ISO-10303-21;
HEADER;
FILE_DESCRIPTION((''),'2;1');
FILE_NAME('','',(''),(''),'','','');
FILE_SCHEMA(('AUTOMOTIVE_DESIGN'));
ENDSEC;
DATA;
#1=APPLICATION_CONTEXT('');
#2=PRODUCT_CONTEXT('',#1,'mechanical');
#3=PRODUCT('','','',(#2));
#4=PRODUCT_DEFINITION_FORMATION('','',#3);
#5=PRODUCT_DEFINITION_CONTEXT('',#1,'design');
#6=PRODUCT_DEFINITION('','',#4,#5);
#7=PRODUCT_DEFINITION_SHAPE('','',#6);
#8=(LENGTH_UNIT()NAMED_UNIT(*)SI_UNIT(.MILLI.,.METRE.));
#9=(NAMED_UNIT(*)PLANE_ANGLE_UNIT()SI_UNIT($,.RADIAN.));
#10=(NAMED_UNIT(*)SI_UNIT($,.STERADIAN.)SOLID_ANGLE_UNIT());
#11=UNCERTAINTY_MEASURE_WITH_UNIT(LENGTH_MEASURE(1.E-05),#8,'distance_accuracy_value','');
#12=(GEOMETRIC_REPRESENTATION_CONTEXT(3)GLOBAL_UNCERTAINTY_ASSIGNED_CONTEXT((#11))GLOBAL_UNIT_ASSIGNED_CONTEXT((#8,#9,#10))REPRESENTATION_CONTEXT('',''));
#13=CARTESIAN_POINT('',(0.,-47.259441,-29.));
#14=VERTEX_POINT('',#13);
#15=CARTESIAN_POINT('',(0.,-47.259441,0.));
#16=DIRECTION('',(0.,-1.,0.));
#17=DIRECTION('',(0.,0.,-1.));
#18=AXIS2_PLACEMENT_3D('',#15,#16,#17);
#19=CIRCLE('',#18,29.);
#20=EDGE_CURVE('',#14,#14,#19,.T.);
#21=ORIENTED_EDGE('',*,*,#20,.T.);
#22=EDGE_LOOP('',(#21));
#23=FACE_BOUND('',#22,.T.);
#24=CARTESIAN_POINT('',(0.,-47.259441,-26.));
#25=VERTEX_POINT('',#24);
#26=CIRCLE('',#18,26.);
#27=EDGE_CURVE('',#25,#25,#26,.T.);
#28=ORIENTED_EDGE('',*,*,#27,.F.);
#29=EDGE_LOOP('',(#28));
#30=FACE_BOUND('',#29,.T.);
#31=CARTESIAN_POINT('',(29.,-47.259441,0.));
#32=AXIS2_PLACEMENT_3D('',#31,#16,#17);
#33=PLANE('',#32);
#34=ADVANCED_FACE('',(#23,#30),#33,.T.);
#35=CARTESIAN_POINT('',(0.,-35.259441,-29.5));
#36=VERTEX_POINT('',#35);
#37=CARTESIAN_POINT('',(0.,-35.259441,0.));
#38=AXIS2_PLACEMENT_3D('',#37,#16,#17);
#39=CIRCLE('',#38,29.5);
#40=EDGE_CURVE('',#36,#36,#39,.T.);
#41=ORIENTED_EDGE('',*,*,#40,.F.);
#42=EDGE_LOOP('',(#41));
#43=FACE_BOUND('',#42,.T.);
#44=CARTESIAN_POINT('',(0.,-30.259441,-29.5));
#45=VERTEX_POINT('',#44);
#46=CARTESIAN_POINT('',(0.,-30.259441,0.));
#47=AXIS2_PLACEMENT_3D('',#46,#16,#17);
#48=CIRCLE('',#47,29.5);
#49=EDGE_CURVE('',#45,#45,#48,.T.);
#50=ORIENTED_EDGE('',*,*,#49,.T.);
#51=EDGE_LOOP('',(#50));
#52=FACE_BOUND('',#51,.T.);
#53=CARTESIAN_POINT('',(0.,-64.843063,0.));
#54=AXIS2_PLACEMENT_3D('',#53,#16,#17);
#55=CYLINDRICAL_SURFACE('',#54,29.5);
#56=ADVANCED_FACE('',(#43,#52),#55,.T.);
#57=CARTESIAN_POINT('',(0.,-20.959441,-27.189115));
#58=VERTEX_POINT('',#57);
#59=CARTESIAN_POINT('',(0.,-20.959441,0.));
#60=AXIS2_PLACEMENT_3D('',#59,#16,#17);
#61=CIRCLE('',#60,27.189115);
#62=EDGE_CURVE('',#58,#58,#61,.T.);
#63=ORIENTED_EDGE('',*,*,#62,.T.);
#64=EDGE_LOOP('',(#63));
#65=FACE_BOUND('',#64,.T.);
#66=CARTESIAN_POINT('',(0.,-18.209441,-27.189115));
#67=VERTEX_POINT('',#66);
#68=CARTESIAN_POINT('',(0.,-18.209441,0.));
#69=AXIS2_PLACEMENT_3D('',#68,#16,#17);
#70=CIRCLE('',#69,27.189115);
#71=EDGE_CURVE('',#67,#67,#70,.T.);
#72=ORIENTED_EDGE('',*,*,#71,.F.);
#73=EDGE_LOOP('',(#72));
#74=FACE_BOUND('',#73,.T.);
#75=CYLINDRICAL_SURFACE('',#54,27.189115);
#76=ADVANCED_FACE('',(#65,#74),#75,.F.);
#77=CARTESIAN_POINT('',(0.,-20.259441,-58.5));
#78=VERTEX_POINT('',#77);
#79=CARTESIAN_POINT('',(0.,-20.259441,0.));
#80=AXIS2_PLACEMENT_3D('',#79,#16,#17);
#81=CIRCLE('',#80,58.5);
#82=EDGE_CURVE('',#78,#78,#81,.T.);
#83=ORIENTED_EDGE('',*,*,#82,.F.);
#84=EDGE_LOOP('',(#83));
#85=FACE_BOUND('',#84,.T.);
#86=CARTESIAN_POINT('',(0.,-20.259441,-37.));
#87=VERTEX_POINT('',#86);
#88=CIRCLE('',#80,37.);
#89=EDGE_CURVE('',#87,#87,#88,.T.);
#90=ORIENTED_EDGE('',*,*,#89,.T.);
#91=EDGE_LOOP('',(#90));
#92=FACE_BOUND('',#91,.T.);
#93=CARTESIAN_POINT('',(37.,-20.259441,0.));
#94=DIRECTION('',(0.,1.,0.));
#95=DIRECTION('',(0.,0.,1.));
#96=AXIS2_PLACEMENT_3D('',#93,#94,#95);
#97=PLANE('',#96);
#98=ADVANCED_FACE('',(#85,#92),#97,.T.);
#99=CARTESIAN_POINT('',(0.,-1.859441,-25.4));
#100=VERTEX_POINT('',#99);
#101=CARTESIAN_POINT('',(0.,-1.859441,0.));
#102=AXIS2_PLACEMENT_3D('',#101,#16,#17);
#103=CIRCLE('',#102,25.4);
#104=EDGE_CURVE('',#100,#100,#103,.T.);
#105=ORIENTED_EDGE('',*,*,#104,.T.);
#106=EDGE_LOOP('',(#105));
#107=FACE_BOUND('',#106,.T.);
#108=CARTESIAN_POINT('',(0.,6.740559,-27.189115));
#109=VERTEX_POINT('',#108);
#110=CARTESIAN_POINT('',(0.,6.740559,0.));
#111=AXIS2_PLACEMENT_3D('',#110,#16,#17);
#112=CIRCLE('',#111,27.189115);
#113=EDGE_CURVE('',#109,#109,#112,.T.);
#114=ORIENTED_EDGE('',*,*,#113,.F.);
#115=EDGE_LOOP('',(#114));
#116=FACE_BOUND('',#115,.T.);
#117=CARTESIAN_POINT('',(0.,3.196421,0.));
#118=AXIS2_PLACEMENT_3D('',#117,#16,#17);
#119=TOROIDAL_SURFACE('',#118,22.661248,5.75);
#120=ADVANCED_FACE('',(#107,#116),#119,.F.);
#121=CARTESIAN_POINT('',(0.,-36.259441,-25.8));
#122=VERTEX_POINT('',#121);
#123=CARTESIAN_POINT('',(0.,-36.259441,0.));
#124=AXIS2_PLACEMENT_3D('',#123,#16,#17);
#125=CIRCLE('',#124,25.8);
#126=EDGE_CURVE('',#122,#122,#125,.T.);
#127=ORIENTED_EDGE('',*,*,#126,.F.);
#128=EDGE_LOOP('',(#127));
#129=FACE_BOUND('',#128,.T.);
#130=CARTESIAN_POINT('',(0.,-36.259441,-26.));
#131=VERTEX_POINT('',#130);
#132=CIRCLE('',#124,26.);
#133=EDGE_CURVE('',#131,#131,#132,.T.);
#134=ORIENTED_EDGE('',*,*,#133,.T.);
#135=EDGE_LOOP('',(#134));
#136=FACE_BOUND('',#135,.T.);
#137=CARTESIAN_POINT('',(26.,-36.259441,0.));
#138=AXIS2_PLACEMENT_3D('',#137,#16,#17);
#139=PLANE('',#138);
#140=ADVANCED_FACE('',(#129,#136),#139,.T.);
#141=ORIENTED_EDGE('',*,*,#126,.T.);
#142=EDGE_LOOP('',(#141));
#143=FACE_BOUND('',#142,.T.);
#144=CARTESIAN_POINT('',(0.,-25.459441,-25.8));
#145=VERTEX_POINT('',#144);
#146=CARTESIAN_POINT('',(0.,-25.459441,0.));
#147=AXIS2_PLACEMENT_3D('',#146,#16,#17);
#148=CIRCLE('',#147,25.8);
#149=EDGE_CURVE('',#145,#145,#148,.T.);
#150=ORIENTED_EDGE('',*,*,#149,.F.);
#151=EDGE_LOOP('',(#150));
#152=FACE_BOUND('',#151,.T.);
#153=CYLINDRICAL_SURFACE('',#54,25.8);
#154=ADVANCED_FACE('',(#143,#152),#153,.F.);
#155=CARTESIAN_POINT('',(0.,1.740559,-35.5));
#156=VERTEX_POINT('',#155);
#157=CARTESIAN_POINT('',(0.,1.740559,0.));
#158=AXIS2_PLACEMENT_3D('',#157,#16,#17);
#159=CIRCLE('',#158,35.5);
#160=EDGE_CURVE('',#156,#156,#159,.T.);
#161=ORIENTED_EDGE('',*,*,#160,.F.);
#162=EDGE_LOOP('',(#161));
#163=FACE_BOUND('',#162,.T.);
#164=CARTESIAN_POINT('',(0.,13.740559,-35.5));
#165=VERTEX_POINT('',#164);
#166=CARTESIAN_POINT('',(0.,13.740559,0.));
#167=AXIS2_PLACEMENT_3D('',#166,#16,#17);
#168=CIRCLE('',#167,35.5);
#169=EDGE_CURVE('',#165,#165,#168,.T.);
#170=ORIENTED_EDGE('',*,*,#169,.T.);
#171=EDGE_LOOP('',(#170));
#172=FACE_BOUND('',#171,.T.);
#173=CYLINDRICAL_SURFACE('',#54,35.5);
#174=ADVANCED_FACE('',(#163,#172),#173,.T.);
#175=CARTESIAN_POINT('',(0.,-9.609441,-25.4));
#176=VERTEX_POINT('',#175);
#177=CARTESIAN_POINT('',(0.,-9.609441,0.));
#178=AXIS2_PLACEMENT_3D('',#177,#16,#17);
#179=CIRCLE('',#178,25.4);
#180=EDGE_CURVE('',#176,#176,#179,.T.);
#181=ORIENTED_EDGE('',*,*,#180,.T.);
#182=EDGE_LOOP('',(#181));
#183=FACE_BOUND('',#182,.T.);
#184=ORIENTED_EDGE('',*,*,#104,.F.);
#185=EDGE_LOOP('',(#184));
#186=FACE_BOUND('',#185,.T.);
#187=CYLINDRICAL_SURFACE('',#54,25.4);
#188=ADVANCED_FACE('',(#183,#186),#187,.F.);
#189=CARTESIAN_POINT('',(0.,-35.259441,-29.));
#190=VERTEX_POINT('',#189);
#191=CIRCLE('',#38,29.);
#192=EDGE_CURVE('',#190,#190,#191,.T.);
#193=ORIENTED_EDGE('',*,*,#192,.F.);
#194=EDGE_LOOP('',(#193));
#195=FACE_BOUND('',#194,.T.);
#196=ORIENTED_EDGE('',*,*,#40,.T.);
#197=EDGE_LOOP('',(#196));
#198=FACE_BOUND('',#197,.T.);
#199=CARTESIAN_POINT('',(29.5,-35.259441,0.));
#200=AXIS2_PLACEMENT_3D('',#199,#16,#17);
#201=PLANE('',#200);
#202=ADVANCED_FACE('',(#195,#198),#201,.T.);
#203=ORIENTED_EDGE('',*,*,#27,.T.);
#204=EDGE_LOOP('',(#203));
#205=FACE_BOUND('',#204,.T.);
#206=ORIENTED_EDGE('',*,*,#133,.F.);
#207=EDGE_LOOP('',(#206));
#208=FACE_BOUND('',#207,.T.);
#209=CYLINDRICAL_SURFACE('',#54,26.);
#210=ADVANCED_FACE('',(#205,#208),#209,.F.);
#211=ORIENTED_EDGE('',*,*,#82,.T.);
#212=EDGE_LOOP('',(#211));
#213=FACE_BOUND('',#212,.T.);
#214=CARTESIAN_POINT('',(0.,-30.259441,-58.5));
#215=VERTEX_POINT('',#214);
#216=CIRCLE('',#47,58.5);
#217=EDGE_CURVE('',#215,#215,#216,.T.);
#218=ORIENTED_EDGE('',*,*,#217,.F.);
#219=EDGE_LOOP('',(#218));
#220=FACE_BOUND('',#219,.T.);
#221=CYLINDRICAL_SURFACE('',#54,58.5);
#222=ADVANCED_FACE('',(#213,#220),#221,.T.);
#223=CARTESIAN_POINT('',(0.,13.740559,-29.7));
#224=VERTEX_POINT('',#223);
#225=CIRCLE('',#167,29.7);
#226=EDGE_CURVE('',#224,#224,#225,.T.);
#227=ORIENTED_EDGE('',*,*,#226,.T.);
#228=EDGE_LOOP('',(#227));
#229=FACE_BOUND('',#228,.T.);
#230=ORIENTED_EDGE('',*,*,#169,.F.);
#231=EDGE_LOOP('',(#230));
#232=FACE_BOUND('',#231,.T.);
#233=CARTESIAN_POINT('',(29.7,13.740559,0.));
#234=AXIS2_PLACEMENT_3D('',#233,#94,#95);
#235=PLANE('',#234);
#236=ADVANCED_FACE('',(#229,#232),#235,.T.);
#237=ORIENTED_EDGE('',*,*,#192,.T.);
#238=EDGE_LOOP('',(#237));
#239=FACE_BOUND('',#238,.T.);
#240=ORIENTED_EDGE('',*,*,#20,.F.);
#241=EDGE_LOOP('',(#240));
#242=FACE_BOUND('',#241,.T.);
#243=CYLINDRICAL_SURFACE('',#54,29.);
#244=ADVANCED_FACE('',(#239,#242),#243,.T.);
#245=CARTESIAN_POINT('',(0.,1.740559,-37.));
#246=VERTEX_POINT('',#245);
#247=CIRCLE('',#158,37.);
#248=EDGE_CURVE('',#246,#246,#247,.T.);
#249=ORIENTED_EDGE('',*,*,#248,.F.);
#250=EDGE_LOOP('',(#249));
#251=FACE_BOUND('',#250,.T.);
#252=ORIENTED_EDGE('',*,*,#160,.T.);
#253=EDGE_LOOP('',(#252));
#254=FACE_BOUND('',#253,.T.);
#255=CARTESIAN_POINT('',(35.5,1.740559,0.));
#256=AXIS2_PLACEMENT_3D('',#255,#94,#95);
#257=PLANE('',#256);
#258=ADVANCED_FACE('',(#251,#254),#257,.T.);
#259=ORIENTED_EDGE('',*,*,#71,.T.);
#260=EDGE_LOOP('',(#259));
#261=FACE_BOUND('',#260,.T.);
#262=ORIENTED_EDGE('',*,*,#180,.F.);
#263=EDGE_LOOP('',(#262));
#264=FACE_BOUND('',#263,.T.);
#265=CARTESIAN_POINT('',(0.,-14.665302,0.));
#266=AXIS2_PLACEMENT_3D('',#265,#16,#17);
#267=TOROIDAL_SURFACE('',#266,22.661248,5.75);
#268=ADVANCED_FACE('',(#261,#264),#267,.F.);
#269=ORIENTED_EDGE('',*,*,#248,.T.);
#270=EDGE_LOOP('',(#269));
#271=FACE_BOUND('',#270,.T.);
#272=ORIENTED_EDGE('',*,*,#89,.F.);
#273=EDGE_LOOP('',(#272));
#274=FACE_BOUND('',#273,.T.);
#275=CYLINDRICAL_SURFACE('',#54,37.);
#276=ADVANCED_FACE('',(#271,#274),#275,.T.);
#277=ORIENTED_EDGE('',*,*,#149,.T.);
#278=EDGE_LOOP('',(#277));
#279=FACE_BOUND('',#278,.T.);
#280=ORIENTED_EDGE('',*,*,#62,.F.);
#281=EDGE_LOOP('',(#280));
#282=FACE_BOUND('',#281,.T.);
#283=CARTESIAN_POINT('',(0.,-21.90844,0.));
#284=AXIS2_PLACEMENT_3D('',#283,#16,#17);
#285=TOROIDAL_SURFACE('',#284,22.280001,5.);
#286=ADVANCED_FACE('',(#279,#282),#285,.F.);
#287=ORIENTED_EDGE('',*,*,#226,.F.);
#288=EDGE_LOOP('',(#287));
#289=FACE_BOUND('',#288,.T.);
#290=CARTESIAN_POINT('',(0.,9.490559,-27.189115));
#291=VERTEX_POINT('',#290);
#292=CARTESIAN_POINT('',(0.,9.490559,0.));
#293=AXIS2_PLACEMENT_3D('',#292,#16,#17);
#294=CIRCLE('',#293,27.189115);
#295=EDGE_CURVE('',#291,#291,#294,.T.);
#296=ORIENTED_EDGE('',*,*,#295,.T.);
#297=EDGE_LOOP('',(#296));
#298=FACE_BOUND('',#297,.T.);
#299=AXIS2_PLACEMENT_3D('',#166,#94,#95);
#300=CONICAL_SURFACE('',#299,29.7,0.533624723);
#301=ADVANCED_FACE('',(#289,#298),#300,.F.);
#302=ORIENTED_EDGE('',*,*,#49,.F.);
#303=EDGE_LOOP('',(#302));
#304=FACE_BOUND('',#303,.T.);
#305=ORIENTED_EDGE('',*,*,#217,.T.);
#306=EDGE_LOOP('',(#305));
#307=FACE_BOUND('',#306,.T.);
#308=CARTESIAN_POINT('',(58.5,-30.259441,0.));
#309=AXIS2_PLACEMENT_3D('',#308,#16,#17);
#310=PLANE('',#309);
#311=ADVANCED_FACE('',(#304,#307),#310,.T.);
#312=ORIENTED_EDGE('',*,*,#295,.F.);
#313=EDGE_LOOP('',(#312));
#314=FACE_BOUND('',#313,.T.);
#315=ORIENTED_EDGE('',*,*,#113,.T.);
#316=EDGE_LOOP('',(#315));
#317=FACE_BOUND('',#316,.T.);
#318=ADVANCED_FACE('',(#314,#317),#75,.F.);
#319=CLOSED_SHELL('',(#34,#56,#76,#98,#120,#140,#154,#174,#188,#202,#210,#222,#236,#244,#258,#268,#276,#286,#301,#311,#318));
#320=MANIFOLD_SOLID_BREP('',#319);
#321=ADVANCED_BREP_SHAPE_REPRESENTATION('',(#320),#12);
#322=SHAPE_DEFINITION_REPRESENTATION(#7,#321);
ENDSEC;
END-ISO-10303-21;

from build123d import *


with BuildPart() as part:
    # Esboço1 → Revolução1 (revolve)
    with BuildSketch(Plane.XY, mode=Mode.PRIVATE) as revolu_o1_sk:
        with BuildLine():
            Line((29.7, 13.740559465), (35.5, 13.740559465))
            Line((35.5, 13.740559465), (35.5, 1.740559465))
            Line((35.5, 1.740559465), (37, 1.740559465))
            Line((37, 1.740559465), (37, -20.259440535))
            Line((37, -20.259440535), (58.5, -20.259440535))
            Line((58.5, -20.259440535), (58.5, -30.259440535))
            Line((58.5, -30.259440535), (29.5, -30.259440535))
            Line((29.5, -30.259440535), (29.5, -35.259440535))
            Line((29.5, -35.259440535), (29, -35.259440535))
            Line((29, -35.259440535), (29, -47.259440535))
            Line((29, -47.259440535), (26, -47.259440535))
            Line((26, -47.259440535), (26, -36.259440535))
            Line((26, -36.259440535), (25.8, -36.259440535))
            Line((25.8, -36.259440535), (25.8, -25.459440535))
            ThreePointArc((25.8, -25.459440535), (27.05755123, -23.383232322), (27.189114949, -20.959440535))
            Line((27.189114949, -20.959440535), (27.189114949, -18.209440535))
            ThreePointArc((27.189114949, -18.209440535), (28.290718341, -13.494165971), (25.4, -9.609440535))
            Line((25.4, -9.609440535), (25.4, -1.859440535))
            ThreePointArc((25.4, -1.859440535), (28.290718341, 2.025284902), (27.189114949, 6.740559465))
            Line((27.189114949, 6.740559465), (27.189114949, 9.490559465))
            Line((27.189114949, 9.490559465), (29.7, 13.740559465))
        make_face()
    revolve(revolu_o1_sk.sketch.rotate(Axis((0, -64.843062606, 0), (0, 1, 0)), 90), axis=Axis((0, -64.843062606, 0), (0, 1, 0)))


solid = part.part
